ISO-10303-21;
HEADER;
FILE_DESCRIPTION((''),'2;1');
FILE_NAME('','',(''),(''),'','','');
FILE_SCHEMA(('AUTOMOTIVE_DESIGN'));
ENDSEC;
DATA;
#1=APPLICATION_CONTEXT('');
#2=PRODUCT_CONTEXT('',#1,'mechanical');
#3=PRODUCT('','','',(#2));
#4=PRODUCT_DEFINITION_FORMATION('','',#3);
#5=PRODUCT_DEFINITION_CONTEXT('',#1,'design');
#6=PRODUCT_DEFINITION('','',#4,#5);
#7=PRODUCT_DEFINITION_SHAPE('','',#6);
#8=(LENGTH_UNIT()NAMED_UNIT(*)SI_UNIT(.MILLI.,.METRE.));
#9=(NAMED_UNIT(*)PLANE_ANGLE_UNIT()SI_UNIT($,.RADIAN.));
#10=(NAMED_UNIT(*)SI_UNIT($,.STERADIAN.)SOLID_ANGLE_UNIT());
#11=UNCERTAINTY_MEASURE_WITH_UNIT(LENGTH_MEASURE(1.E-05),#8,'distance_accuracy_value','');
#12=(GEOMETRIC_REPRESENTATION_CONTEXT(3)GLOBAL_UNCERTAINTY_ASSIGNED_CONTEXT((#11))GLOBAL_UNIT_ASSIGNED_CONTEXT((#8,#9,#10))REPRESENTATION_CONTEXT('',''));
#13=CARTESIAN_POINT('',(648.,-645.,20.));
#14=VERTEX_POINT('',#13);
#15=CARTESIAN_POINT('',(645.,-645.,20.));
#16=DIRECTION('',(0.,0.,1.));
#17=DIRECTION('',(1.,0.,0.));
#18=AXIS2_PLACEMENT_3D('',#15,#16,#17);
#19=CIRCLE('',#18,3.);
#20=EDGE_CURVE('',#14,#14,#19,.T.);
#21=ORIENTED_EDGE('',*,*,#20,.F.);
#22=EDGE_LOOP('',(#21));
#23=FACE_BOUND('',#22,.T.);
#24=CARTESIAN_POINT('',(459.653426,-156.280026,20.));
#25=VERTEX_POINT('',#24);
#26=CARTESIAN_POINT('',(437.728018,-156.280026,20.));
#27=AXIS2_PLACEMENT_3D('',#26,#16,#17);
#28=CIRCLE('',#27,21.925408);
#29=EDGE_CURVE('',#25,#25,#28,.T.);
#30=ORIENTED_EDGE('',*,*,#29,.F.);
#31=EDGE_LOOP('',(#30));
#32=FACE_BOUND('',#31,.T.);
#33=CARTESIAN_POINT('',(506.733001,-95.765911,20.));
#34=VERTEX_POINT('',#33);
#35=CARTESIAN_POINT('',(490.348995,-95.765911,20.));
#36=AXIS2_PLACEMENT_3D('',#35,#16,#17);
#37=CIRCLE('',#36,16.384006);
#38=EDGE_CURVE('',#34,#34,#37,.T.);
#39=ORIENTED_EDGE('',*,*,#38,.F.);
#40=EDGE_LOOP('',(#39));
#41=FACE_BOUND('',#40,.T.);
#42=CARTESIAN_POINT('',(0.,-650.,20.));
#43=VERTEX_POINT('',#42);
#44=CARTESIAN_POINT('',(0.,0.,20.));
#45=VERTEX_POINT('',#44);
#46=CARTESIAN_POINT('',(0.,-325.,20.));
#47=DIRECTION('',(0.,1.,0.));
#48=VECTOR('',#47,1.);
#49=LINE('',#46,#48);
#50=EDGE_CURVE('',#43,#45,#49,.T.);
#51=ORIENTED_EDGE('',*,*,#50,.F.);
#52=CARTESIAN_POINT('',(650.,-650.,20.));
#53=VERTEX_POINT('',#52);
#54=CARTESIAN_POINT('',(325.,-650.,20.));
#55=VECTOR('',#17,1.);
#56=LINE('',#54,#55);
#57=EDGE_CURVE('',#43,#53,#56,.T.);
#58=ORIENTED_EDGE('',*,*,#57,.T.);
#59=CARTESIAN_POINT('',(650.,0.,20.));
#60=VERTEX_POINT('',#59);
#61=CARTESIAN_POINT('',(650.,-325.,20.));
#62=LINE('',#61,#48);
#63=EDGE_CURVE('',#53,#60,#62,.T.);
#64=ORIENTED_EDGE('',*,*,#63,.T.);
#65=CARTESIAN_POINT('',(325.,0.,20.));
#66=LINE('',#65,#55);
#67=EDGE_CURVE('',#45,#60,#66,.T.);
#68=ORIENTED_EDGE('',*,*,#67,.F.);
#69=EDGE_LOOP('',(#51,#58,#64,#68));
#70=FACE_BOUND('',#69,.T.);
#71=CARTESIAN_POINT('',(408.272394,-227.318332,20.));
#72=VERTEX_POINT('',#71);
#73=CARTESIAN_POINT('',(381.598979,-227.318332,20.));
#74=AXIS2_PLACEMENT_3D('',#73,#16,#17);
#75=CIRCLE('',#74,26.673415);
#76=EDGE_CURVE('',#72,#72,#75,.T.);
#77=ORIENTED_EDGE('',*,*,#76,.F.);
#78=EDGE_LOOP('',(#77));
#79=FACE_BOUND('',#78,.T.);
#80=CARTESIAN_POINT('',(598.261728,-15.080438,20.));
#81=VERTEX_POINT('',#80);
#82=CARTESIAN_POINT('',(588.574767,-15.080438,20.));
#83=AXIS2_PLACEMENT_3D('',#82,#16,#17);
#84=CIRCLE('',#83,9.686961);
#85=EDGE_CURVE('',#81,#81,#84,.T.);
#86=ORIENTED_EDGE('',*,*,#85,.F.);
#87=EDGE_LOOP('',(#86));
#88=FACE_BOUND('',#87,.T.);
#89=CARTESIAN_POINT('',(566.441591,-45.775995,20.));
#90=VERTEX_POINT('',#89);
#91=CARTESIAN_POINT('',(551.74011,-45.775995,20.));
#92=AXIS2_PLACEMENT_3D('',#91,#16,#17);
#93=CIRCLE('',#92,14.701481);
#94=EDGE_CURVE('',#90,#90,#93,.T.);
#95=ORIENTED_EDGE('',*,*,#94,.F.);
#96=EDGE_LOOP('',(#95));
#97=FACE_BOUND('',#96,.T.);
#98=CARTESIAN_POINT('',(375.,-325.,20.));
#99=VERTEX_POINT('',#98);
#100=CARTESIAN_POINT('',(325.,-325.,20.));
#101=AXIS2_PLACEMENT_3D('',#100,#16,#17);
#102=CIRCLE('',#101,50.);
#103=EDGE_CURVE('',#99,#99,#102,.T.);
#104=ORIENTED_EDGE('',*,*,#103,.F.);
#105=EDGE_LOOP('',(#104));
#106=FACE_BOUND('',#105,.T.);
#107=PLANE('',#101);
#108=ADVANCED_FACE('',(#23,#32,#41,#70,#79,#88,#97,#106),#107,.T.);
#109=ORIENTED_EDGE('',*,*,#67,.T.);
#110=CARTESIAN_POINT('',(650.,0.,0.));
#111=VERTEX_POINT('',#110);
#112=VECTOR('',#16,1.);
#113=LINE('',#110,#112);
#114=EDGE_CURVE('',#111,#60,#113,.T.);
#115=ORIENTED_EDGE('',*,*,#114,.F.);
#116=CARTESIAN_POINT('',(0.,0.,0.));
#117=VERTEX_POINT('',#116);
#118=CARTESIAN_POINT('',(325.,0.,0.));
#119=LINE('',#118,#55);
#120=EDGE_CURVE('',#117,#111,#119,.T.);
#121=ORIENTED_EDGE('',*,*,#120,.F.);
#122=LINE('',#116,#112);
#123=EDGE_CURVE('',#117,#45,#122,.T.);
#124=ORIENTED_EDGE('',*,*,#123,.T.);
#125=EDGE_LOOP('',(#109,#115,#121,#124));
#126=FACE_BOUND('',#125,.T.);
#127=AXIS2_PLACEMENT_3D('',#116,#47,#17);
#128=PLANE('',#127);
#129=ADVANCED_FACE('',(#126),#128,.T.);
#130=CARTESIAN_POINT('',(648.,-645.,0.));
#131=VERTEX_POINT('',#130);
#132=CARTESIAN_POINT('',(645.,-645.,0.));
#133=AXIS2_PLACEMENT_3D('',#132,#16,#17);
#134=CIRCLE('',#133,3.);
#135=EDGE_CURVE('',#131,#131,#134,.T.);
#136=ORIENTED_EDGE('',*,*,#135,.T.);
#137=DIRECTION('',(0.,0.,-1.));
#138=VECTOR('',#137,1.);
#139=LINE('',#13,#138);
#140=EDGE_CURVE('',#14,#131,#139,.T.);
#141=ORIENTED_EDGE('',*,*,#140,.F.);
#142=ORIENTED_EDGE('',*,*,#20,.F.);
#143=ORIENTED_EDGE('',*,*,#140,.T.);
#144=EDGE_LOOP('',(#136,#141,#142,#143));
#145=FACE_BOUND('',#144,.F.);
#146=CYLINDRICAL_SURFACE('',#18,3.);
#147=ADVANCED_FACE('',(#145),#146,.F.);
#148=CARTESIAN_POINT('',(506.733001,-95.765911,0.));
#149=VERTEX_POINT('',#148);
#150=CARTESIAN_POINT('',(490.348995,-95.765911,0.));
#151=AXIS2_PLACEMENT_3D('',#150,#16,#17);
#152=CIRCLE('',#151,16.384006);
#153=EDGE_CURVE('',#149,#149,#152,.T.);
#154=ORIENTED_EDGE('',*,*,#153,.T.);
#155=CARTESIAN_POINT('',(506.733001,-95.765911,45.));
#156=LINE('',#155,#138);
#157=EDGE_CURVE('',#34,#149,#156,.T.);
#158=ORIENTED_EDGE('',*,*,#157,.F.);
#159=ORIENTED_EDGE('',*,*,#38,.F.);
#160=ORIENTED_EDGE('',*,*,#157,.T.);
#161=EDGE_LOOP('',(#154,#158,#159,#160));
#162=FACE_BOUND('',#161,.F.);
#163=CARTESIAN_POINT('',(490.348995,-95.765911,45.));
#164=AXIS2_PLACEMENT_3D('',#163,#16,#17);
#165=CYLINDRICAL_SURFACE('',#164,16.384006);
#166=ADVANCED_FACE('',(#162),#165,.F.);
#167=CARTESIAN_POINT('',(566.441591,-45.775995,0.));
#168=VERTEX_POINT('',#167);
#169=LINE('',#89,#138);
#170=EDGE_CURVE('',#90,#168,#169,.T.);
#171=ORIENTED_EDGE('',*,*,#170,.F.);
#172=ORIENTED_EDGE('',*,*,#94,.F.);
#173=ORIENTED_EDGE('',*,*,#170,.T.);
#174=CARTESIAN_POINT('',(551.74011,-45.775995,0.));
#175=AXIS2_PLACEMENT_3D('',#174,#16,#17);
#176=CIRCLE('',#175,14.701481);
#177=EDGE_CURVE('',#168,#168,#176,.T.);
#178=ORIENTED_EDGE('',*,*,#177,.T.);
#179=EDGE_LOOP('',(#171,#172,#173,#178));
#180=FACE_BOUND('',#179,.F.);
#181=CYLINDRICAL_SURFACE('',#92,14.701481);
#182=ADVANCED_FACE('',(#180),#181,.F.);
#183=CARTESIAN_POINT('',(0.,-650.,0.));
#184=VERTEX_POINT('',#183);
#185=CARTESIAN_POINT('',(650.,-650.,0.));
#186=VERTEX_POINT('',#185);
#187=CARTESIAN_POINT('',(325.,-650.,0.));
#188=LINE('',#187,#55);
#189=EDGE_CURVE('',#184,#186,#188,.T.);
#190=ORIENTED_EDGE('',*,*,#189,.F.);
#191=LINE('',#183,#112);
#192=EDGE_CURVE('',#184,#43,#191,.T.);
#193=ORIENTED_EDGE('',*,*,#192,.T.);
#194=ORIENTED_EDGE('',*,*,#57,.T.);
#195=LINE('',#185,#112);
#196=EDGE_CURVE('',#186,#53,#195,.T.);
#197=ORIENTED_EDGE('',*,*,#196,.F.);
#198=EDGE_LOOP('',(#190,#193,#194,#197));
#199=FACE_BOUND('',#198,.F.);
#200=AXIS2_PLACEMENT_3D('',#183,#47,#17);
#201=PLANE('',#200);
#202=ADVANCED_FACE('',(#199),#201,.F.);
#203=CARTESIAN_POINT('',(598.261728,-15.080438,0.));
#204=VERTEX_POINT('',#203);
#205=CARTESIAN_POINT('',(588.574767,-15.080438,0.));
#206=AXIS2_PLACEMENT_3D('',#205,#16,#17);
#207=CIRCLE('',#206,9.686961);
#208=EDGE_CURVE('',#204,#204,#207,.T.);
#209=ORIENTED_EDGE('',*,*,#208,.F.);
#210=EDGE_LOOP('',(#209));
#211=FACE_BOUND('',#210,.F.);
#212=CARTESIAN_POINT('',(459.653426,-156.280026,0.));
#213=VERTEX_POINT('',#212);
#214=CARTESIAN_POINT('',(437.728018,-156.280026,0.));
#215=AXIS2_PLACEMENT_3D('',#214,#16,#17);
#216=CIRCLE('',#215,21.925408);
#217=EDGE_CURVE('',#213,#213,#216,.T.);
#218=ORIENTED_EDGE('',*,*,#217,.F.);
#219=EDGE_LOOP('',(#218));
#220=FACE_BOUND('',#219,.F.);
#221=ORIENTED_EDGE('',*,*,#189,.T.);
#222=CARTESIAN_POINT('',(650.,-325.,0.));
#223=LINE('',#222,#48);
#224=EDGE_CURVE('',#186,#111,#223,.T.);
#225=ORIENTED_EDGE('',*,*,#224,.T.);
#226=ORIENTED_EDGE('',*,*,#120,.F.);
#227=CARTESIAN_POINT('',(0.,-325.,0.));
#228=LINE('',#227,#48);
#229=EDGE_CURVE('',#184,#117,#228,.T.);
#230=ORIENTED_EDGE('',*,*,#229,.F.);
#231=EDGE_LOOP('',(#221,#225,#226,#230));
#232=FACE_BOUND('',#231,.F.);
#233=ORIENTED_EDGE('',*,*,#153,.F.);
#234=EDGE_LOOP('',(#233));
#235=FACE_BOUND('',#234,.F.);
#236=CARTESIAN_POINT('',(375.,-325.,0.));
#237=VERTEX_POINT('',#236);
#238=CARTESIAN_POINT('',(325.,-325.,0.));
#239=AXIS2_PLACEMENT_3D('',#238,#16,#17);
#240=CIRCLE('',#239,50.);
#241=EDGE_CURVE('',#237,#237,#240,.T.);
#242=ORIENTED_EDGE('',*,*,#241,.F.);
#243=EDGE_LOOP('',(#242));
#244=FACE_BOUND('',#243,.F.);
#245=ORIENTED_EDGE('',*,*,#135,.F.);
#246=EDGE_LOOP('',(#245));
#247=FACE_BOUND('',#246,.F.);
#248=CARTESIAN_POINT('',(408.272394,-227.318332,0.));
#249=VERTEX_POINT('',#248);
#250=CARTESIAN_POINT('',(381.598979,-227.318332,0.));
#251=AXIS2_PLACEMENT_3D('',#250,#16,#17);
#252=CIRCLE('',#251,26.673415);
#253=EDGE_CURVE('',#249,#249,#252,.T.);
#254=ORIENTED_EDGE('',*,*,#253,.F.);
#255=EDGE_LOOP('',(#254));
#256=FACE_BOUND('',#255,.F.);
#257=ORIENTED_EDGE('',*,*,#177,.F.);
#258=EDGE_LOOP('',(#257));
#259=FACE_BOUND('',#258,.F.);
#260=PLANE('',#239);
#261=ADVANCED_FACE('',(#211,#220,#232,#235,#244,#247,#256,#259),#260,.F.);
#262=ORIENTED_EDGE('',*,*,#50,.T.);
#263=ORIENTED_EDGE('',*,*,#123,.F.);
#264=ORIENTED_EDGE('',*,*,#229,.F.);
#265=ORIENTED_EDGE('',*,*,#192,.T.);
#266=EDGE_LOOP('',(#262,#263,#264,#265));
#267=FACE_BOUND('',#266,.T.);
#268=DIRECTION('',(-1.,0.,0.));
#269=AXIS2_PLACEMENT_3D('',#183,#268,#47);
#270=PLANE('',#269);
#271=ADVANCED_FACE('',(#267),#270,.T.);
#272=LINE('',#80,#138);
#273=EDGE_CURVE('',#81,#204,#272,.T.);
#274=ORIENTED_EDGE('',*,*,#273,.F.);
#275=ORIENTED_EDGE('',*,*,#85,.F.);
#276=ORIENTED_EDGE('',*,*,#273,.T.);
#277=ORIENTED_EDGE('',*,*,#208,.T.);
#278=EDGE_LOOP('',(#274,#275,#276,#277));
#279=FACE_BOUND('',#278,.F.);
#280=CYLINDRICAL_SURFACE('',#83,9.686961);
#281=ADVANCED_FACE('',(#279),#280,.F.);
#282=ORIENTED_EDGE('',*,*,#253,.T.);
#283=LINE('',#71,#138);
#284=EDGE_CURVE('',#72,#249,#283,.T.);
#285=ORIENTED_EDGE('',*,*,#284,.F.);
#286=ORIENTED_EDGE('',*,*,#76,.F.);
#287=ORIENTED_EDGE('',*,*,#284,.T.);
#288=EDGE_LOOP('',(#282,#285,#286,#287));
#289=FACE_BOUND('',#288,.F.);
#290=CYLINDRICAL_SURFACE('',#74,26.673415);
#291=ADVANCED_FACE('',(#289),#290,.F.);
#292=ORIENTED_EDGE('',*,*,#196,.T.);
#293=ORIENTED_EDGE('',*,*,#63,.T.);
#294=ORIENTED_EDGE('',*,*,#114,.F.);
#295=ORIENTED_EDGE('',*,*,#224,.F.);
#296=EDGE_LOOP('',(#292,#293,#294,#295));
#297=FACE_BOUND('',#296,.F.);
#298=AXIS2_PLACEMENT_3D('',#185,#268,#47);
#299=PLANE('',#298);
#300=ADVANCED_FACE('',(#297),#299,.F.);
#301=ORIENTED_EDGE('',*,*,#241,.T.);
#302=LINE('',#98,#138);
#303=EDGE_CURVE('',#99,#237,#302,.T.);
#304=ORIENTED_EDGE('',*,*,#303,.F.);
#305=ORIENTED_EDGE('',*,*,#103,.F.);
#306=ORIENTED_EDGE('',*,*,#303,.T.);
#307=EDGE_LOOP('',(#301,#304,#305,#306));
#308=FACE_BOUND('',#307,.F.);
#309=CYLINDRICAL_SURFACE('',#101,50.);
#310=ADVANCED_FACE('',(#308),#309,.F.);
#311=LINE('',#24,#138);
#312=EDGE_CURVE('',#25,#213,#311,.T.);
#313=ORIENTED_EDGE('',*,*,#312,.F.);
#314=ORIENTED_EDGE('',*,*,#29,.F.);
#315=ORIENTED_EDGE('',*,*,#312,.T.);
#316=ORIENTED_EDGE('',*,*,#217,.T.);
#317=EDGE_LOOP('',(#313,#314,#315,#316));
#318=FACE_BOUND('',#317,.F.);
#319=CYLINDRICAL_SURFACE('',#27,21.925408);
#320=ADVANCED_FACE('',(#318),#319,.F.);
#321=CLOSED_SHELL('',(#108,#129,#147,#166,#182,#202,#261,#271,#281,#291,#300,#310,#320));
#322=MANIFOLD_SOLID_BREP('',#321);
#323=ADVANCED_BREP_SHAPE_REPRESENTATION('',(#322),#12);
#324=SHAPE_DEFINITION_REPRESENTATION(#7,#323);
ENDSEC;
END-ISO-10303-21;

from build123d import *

# Parameters (mm, degrees)
F0_W       = 650
F0_H       = 650
F1_DEPTH   = 20
F2_R       = 50
F3_DEPTH   = 25
F4_R       = 26.673415
F9_DEPTH   = 25
F5_R       = 21.925408
F10_DEPTH  = 25
F6_R       = 16.384006
F11_DEPTH  = 25
F7_R       = 14.701481
F12_DEPTH  = 25
F8_R       = 9.686961
F13_DEPTH  = 25
F11_FACE_R = 16.384006
F14_DEPTH  = 50
F15_R      = 3
F16_DEPTH  = 25


with BuildPart() as f1:
    # F0 (on Top) → F1 (new body)
    with BuildSketch(Plane.XY):
        with Locations((325, -325)):
            Rectangle(F0_W, F0_H)
    extrude(amount=F1_DEPTH)

    # F2 (on face) → F3 (cut)
    with BuildSketch(Plane.XY.offset(20)):
        with Locations((325, -325)):
            Circle(F2_R)
    extrude(amount=-F3_DEPTH, mode=Mode.SUBTRACT)

    # F4 (on face) → F9 (cut)
    with BuildSketch(Plane.XY.offset(20)):
        with Locations((381.598979, -227.318332)):
            Circle(F4_R)
    extrude(amount=-F9_DEPTH, mode=Mode.SUBTRACT)

    # F5 (on face) → F10 (cut)
    with BuildSketch(Plane.XY.offset(20)):
        with Locations((437.728018, -156.280026)):
            Circle(F5_R)
    extrude(amount=-F10_DEPTH, mode=Mode.SUBTRACT)

    # F6 (on face) → F11 (join)
    with BuildSketch(Plane.XY.offset(20)):
        with Locations((490.348995, -95.765911)):
            Circle(F6_R)
    extrude(amount=F11_DEPTH)

    # F7 (on face) → F12 (cut)
    with BuildSketch(Plane.XY.offset(20)):
        with Locations((551.74011, -45.775995)):
            Circle(F7_R)
    extrude(amount=-F12_DEPTH, mode=Mode.SUBTRACT)

    # F8 (on face) → F13 (cut)
    with BuildSketch(Plane.XY.offset(20)):
        with Locations((588.574767, -15.080438)):
            Circle(F8_R)
    extrude(amount=-F13_DEPTH, mode=Mode.SUBTRACT)

    # F11_face (on face) → F14 (cut)
    with BuildSketch(Plane(origin=(490.348995, -95.765911, 45), x_dir=(1, 0, 0), z_dir=(0, 0, 1))):
        Circle(F11_FACE_R)
    extrude(amount=-F14_DEPTH, mode=Mode.SUBTRACT)

    # F15 (on face) → F16 (cut)
    with BuildSketch(Plane.XY.offset(20)):
        with Locations((645, -645)):
            Circle(F15_R)
    extrude(amount=-F16_DEPTH, mode=Mode.SUBTRACT)


solid = f1.part
